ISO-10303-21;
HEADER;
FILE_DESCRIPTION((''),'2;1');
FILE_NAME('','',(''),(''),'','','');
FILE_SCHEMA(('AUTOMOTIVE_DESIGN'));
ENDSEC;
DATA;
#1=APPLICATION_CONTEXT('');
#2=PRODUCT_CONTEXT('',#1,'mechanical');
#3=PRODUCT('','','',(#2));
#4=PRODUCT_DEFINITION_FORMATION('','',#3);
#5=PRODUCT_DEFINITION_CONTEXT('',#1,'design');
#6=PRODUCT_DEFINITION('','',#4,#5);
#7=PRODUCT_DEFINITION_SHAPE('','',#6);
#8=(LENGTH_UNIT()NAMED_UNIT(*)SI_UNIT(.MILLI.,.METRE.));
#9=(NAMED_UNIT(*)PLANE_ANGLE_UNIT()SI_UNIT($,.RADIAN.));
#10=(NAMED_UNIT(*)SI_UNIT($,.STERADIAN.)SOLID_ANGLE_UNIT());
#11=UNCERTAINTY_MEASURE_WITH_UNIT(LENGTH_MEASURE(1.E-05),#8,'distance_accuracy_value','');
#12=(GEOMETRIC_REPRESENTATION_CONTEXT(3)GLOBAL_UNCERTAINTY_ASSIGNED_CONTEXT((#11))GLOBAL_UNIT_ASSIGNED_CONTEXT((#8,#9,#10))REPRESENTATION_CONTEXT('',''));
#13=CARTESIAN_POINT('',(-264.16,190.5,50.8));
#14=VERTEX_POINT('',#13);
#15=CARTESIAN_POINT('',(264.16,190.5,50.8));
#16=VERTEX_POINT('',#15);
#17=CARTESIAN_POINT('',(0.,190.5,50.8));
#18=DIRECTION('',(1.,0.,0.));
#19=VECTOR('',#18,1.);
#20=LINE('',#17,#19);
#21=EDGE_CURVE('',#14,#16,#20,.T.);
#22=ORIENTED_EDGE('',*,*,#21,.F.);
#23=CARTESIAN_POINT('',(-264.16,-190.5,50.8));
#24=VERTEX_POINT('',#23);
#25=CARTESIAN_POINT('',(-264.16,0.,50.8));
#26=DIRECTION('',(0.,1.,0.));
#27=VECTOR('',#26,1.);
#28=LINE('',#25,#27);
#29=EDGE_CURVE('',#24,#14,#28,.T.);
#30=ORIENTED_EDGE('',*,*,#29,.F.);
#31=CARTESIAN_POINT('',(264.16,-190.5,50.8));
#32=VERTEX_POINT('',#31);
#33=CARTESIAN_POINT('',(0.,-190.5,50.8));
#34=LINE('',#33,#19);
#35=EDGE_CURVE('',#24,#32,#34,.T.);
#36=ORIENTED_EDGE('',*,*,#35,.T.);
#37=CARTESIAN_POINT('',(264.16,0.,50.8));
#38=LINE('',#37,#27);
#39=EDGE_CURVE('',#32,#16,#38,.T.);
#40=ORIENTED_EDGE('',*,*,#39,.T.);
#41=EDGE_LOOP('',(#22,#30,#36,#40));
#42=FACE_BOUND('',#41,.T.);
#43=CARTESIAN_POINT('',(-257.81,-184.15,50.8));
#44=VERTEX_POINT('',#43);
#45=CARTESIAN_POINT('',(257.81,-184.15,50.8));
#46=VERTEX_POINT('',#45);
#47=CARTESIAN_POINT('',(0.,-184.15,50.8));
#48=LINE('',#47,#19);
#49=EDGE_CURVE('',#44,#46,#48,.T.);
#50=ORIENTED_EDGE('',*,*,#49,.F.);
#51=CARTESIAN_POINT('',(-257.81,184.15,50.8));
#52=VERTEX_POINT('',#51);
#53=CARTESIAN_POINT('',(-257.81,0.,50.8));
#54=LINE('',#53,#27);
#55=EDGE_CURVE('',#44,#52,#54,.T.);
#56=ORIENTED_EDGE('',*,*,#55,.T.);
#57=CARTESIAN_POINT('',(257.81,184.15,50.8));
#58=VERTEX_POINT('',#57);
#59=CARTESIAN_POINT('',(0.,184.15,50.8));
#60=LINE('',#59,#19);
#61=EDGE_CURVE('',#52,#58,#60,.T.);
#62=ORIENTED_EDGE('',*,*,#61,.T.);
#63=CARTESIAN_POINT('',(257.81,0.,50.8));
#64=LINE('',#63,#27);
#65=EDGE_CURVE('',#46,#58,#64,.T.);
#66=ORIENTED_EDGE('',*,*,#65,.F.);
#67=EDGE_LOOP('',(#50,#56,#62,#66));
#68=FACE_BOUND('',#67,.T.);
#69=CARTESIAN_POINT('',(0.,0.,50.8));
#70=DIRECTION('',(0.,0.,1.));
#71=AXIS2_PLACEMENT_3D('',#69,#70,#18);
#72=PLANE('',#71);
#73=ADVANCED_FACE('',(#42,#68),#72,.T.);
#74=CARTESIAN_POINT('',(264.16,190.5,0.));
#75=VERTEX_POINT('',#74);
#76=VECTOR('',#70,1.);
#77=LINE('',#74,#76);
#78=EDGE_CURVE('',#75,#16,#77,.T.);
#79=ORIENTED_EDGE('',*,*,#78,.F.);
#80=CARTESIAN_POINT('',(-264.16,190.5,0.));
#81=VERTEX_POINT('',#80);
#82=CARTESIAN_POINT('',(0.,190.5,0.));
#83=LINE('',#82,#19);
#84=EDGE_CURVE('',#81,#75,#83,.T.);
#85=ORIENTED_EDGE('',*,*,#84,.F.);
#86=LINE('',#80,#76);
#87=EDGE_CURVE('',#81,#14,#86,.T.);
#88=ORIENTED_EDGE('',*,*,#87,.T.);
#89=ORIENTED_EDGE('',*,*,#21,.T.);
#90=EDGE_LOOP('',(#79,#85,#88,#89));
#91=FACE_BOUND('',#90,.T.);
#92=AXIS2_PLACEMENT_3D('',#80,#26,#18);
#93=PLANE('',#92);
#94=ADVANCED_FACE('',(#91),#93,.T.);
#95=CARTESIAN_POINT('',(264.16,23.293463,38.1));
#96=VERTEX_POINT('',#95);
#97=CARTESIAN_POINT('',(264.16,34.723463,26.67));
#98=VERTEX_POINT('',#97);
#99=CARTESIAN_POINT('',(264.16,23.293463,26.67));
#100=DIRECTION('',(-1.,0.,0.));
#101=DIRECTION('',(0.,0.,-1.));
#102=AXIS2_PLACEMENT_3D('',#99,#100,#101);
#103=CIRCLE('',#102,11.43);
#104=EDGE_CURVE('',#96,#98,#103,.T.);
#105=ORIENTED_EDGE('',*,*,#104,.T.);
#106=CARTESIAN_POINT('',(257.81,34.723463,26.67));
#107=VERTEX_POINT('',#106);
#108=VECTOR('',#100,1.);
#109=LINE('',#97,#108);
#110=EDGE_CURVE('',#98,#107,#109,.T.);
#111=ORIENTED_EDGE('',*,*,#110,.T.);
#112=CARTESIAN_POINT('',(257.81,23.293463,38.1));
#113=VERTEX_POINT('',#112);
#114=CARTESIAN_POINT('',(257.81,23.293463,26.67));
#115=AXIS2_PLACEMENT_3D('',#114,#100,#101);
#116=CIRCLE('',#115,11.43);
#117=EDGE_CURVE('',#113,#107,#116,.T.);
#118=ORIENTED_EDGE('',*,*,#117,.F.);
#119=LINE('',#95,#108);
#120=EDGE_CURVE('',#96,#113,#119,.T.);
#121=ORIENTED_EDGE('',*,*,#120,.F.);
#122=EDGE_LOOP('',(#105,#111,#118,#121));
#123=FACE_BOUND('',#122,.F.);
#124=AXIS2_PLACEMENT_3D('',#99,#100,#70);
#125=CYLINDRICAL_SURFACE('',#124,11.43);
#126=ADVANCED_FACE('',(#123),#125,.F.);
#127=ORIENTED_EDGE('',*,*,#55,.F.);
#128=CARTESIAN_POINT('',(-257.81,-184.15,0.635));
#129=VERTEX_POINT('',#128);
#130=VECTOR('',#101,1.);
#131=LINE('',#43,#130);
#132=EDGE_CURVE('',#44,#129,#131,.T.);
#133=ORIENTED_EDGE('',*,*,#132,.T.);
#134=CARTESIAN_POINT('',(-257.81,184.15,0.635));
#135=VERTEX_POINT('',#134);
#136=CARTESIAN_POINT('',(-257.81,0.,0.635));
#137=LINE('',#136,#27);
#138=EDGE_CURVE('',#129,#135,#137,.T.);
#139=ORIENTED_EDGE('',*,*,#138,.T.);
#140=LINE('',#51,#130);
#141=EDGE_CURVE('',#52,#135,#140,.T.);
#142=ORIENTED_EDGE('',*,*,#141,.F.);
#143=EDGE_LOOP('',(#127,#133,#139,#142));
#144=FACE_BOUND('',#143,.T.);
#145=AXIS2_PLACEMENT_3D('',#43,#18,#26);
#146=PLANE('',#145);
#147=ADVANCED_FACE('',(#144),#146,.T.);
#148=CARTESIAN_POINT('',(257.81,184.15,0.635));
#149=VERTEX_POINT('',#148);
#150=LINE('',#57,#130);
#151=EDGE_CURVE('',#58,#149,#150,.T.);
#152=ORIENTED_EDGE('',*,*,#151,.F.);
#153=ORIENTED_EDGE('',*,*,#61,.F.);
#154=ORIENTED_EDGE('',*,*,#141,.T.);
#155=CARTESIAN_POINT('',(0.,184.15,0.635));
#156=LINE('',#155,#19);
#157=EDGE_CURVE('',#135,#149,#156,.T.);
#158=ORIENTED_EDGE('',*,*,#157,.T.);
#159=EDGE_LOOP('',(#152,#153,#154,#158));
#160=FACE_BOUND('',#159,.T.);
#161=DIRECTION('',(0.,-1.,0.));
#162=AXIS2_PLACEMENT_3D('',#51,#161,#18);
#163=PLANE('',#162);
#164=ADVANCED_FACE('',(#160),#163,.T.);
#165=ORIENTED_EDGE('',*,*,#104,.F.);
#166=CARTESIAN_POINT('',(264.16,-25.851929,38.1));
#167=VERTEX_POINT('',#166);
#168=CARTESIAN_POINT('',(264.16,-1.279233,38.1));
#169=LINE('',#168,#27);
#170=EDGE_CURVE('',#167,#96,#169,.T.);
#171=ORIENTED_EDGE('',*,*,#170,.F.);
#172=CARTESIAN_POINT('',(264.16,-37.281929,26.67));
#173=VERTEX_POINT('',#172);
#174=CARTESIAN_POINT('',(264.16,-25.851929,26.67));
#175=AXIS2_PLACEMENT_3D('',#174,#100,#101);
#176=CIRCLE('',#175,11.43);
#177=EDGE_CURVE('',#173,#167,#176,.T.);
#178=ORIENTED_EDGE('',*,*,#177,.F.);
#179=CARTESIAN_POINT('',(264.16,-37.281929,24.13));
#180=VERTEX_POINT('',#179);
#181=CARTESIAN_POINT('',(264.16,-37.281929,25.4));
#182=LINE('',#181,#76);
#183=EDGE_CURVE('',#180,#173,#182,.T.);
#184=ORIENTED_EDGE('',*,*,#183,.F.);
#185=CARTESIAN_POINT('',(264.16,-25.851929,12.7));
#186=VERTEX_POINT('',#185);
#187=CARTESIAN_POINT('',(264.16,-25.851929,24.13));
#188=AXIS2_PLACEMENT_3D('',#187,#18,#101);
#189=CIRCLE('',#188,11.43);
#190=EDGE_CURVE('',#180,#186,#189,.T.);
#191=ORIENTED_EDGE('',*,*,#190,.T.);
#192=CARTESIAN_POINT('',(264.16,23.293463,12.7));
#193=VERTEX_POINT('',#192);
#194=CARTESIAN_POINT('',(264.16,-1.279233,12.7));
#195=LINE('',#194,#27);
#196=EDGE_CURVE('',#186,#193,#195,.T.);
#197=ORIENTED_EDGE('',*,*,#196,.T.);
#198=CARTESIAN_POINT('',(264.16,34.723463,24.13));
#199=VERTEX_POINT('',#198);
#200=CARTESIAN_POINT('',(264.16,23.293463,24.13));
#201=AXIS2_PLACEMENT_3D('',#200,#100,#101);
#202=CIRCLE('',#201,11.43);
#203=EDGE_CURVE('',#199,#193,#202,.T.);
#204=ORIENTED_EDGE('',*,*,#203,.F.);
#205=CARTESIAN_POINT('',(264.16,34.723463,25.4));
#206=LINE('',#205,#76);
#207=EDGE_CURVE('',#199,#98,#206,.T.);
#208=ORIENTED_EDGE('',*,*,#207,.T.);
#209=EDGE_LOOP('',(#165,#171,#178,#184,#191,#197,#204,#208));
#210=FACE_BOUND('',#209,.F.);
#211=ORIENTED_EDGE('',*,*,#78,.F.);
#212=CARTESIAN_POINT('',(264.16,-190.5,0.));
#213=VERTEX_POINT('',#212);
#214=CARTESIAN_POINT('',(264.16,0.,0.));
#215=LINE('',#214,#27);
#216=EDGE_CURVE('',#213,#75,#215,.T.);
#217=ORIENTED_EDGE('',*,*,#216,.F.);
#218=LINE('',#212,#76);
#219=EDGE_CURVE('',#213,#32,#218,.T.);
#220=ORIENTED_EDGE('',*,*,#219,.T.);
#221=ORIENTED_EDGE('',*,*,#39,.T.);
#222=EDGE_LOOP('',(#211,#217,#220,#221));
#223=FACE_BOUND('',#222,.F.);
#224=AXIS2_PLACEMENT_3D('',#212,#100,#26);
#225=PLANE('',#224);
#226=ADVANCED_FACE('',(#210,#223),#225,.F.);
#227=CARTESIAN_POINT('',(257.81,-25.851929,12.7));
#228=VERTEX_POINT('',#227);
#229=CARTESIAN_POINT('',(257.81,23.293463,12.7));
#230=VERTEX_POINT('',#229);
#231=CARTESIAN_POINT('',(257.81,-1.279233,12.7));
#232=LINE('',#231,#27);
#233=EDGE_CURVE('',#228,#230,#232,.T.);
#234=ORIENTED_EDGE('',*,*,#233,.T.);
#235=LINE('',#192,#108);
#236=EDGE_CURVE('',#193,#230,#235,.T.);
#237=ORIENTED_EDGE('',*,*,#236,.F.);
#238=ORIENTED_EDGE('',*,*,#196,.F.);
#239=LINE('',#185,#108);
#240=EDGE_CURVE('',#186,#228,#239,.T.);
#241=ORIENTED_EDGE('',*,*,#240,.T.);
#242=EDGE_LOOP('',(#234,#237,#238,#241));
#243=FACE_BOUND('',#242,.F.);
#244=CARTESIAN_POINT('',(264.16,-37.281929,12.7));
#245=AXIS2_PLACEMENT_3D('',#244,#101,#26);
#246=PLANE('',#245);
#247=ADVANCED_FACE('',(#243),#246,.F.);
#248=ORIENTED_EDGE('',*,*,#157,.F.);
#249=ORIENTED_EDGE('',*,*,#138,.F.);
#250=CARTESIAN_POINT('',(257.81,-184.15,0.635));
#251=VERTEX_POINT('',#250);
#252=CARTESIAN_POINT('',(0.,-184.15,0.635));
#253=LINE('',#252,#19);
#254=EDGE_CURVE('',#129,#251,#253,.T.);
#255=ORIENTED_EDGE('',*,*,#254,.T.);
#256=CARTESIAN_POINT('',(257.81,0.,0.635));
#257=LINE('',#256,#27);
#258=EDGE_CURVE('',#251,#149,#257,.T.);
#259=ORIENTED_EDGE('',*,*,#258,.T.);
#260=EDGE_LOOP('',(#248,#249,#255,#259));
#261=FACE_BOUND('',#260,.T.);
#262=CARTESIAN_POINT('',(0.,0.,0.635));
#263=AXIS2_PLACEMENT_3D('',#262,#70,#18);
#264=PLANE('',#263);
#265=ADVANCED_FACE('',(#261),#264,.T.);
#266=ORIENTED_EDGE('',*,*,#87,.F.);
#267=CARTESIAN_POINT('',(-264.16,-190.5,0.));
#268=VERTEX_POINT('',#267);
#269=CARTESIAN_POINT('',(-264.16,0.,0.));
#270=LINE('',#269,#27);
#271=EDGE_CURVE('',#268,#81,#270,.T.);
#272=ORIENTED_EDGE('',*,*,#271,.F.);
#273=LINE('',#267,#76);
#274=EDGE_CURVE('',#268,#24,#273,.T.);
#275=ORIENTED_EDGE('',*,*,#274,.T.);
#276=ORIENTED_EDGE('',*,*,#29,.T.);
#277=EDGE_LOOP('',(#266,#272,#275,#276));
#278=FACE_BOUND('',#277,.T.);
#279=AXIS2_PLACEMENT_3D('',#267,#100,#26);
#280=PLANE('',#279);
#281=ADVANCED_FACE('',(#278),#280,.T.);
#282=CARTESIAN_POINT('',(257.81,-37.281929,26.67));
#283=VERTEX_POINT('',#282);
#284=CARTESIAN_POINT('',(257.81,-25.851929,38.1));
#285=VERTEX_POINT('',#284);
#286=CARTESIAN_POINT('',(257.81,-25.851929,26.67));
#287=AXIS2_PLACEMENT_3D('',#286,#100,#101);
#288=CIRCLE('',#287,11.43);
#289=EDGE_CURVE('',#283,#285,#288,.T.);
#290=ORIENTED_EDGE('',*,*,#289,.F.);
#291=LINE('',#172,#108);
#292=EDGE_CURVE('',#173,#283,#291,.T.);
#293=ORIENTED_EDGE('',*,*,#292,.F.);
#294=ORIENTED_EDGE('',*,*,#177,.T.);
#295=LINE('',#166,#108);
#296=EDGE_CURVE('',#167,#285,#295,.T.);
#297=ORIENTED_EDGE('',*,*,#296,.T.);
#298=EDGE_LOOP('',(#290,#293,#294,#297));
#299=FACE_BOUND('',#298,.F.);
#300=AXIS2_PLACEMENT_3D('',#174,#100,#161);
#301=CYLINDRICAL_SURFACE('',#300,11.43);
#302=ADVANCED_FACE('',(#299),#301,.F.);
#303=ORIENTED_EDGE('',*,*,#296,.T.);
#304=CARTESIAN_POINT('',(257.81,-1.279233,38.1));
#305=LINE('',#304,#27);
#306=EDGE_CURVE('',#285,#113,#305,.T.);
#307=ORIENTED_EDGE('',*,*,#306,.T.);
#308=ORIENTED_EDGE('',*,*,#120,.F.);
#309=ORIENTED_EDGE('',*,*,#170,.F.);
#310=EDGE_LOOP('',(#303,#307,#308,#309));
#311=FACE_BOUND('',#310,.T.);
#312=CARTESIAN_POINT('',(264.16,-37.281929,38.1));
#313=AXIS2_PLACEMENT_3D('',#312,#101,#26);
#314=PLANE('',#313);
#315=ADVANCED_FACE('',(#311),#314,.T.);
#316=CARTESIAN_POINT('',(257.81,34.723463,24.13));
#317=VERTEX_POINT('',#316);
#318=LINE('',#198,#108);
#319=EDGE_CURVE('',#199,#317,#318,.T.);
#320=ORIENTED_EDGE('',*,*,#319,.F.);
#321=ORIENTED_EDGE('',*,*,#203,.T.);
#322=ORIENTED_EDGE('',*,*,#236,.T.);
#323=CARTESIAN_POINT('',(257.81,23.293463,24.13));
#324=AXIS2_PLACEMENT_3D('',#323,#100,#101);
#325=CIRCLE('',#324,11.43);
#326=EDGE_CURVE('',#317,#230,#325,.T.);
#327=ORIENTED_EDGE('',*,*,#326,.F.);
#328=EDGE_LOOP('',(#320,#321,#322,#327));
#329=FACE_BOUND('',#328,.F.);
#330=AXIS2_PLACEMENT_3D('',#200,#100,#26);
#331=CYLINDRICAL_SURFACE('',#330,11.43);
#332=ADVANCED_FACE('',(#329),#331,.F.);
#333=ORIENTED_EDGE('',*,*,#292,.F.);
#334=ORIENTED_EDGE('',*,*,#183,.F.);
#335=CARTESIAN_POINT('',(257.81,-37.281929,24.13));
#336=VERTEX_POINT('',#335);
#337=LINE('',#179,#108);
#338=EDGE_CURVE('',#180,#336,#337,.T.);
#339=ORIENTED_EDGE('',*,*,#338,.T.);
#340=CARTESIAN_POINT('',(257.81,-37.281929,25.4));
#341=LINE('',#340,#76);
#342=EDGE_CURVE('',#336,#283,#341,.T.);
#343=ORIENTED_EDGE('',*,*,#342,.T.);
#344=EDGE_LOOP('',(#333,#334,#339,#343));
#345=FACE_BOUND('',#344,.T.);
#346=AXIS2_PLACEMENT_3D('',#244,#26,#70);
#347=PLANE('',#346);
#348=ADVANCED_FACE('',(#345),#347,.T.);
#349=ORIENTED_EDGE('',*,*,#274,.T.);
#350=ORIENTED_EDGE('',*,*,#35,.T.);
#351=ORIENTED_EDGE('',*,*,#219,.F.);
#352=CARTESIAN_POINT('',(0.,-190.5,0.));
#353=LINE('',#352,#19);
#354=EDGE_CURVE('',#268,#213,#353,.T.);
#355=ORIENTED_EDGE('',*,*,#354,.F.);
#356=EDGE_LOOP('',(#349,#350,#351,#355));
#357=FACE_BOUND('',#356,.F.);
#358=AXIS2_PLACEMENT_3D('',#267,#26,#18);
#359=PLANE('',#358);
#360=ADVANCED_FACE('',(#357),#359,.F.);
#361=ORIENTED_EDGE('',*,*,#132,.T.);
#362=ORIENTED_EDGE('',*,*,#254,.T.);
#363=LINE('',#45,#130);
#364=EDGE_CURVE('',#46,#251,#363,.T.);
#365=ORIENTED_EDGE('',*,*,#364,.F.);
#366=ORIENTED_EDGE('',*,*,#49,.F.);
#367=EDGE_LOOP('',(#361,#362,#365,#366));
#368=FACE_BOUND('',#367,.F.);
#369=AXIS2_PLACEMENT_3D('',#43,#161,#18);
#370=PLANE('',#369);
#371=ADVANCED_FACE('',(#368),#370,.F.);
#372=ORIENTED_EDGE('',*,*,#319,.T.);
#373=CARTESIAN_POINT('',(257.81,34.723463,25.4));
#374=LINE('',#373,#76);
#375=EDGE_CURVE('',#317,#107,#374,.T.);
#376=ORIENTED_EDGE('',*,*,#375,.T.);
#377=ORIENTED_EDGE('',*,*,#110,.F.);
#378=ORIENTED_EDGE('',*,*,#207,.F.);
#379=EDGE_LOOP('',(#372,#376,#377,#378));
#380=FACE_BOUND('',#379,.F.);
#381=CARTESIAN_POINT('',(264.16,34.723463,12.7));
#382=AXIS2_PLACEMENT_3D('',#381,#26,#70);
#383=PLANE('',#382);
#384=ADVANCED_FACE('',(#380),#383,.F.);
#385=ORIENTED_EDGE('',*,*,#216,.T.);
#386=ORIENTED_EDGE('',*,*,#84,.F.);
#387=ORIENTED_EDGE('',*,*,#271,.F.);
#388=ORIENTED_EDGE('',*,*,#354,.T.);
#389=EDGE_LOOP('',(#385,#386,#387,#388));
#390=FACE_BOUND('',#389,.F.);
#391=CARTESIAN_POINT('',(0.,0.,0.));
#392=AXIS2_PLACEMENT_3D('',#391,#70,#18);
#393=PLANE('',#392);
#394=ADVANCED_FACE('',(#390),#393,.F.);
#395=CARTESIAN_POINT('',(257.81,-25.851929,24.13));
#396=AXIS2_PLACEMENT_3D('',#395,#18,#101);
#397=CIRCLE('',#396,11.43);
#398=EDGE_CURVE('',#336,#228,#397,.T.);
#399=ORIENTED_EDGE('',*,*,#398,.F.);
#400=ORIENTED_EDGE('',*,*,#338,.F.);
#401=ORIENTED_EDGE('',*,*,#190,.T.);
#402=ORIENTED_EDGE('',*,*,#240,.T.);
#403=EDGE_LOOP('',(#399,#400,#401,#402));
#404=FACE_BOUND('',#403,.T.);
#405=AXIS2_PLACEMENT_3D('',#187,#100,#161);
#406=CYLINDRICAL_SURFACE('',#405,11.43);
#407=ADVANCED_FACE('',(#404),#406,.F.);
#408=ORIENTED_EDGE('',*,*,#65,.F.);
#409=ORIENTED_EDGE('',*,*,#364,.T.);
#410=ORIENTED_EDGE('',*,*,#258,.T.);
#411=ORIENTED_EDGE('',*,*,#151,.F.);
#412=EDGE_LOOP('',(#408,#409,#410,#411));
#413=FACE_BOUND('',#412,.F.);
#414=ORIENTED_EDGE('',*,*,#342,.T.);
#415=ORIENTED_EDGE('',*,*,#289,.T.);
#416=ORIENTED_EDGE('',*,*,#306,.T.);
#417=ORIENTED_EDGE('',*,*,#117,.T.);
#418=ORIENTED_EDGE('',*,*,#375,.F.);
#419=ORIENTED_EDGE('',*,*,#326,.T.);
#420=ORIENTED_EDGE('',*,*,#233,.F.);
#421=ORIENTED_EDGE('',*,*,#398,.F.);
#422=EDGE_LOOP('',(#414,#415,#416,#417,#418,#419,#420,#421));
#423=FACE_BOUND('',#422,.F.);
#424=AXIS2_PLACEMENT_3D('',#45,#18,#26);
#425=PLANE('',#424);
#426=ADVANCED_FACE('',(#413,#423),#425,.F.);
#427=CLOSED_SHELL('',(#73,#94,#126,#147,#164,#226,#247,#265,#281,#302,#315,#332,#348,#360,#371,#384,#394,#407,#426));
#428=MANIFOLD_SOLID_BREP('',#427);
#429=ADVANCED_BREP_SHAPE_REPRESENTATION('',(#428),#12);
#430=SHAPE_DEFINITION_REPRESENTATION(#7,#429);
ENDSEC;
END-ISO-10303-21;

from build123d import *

# Parameters (mm, degrees)
F0_W     = 528.32
F0_H     = 381
F1_DEPTH = 50.8
F2_W     = 515.62
F2_H     = 368.3
F3_DEPTH = 50.165
F4_W     = 72.005392
F4_H     = 25.4
F5_DEPTH = 6.35
F6_R     = 11.43


with BuildPart() as f1:
    # F0 (on Top) → F1 (new body)
    with BuildSketch(Plane.XY):
        Rectangle(F0_W, F0_H)
    extrude(amount=F1_DEPTH)

    # F2 (on face) → F3 (cut)
    with BuildSketch(Plane.XY.offset(50.8)):
        Rectangle(F2_W, F2_H)
    extrude(amount=-F3_DEPTH, mode=Mode.SUBTRACT)

    # F4 (on face) → F5 (cut)
    with BuildSketch(Plane.YZ.offset(264.16)):
        with Locations((-1.279233, 25.4)):
            Rectangle(F4_W, F4_H)
    extrude(amount=-F5_DEPTH, mode=Mode.SUBTRACT)

    # F6
    f6_edges = [f1.edges().sort_by_distance(p)[0] for p in [
        (260.985, 34.723463, 12.7),
        (260.985, -37.281929, 12.7),
        (260.985, -37.281929, 38.1),
        (260.985, 34.723463, 38.1),
    ]]
    fillet(f6_edges, radius=F6_R)


solid = f1.part
